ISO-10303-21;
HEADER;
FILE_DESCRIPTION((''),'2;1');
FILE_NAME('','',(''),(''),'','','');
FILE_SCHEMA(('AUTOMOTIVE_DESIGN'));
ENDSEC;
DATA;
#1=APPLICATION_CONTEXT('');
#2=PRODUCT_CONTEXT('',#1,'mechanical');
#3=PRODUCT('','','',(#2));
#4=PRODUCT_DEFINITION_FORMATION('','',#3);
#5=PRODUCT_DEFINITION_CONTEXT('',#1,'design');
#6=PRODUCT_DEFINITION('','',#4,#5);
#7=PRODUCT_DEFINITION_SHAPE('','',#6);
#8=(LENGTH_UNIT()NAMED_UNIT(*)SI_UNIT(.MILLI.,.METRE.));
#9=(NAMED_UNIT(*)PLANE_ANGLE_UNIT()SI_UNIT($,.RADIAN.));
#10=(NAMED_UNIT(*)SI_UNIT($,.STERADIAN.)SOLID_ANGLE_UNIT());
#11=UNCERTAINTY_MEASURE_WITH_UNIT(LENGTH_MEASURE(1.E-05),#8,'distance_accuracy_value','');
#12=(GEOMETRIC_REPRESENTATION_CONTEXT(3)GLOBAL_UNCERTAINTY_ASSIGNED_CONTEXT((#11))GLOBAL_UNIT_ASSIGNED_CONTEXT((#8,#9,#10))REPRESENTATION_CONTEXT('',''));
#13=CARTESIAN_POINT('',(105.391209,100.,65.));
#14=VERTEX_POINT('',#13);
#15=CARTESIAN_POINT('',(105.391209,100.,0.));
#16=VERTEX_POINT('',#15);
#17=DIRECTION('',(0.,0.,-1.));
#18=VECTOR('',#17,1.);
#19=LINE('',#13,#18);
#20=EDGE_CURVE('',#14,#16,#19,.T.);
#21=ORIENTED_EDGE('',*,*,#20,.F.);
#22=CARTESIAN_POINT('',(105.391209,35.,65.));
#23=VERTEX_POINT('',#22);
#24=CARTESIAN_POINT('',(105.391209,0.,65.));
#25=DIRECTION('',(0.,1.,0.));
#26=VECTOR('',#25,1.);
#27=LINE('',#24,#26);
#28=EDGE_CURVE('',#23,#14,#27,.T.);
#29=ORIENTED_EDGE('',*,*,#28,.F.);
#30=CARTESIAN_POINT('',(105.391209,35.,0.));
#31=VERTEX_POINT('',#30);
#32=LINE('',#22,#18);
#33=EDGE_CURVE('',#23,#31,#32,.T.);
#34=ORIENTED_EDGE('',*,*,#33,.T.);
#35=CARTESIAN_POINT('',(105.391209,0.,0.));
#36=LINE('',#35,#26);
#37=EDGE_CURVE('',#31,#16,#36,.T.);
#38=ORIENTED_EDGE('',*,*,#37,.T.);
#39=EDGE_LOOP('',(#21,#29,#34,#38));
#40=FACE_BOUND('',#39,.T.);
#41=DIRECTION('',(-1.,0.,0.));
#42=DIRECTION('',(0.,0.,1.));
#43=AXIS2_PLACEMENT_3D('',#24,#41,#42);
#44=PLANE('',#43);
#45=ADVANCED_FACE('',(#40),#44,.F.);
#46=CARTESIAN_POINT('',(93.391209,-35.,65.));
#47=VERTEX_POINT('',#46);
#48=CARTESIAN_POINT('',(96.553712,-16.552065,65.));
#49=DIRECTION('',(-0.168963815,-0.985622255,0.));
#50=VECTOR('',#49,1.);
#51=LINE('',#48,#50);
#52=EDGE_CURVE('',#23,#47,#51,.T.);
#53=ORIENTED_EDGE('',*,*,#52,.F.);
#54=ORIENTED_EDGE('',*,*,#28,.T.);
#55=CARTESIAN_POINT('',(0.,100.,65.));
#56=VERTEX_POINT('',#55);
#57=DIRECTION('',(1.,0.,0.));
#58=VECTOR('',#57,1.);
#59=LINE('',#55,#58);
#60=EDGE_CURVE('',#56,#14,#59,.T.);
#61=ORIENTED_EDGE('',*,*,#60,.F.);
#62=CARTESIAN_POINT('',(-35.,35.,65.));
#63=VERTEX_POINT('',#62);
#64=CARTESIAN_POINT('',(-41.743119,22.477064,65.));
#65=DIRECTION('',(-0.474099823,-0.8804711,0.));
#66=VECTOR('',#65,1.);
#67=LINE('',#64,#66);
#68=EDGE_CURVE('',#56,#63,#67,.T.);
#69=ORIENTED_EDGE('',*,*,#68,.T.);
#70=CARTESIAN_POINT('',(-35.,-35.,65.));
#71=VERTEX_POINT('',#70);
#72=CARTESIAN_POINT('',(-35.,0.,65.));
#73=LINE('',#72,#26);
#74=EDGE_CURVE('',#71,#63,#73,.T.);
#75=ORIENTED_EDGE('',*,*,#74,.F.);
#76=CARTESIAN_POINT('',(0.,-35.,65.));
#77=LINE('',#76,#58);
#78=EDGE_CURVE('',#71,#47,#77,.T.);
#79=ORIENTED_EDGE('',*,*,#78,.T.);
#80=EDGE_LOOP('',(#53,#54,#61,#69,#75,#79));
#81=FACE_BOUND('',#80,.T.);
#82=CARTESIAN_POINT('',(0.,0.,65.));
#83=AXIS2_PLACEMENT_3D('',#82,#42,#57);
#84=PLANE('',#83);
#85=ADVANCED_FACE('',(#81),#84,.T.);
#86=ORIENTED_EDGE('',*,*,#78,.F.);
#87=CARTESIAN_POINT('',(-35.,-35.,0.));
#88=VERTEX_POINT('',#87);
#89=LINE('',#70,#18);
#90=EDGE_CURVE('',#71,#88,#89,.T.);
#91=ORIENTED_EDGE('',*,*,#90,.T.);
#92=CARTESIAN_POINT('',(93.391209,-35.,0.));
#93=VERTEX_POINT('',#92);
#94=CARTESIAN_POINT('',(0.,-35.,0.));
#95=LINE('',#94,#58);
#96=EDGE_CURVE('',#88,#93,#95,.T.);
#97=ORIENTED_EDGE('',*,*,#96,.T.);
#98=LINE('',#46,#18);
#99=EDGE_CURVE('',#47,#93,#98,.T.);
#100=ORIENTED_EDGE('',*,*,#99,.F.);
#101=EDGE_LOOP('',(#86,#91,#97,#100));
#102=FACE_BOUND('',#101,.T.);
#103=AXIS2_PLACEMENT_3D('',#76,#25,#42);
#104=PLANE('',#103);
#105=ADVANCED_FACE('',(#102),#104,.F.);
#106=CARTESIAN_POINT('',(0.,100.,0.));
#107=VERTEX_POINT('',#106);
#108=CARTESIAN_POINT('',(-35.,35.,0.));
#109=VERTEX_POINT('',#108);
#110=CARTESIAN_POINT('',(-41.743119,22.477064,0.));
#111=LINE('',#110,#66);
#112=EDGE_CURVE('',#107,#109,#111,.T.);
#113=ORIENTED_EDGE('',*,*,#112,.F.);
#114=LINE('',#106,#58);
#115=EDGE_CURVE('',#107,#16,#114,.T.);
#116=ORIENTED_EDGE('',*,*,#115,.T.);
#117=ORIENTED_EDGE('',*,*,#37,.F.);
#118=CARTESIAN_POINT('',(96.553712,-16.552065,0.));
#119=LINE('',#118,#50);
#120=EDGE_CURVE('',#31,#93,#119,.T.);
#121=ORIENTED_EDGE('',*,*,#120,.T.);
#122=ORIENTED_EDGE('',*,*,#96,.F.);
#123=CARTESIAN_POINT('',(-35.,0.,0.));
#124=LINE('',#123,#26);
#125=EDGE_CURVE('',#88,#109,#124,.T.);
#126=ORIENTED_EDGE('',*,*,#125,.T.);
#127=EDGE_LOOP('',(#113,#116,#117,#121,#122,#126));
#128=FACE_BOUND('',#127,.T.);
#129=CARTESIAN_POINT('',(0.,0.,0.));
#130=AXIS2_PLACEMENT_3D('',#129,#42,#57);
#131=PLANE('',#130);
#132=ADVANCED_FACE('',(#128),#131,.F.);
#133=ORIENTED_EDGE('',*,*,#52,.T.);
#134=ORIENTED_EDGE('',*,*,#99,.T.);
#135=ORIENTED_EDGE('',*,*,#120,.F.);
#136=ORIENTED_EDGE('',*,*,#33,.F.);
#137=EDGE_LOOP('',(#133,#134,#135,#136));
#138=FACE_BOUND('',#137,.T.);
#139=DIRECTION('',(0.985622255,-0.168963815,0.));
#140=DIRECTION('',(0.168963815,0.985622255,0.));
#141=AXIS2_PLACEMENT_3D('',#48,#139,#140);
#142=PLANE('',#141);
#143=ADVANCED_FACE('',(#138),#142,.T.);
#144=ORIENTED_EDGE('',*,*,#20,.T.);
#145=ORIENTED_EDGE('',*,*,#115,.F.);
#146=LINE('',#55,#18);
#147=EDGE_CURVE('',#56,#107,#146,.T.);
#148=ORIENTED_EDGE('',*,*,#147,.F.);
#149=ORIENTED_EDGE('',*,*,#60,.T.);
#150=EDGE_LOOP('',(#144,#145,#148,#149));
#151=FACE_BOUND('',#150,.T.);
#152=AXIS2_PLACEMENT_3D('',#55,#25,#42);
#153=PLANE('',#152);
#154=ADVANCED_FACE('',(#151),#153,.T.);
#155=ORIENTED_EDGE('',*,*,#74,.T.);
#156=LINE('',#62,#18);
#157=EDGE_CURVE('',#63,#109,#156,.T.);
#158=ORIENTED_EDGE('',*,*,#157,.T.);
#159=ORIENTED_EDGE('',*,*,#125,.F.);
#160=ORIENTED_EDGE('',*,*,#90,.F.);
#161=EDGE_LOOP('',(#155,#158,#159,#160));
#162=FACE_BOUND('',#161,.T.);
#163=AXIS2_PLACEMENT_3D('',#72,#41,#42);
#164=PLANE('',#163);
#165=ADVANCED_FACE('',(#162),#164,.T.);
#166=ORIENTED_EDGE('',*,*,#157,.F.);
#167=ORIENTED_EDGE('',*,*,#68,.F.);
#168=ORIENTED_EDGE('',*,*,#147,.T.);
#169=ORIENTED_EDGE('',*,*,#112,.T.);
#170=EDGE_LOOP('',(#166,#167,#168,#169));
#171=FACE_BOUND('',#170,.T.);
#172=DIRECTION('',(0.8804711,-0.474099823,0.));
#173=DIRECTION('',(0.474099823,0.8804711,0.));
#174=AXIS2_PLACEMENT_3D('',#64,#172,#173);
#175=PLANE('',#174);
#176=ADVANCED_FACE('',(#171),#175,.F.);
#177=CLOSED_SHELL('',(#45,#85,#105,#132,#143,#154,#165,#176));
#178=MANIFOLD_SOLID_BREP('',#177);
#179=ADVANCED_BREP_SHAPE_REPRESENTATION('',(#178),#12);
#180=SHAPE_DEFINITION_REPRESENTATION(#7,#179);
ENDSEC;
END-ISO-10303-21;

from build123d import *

# Parameters (mm, degrees)
AUFSATZ_LINEAR_AUSTRAGEN1_DEPTH = 65


with BuildPart() as part:
    # Skizze1 → Aufsatz-Linear austragen1 (new body)
    with BuildSketch(Plane.XY):
        Polygon((71.391208811, 100), (0, 100), (-35, 35), (-35, -35), (0, -35), (35, -35), (40.391208811, -35), (82.391208811, -35), (93.391208811, -35), (105.391208811, 35), (105.391208811, 100), align=None)
    extrude(amount=AUFSATZ_LINEAR_AUSTRAGEN1_DEPTH)


solid = part.part
